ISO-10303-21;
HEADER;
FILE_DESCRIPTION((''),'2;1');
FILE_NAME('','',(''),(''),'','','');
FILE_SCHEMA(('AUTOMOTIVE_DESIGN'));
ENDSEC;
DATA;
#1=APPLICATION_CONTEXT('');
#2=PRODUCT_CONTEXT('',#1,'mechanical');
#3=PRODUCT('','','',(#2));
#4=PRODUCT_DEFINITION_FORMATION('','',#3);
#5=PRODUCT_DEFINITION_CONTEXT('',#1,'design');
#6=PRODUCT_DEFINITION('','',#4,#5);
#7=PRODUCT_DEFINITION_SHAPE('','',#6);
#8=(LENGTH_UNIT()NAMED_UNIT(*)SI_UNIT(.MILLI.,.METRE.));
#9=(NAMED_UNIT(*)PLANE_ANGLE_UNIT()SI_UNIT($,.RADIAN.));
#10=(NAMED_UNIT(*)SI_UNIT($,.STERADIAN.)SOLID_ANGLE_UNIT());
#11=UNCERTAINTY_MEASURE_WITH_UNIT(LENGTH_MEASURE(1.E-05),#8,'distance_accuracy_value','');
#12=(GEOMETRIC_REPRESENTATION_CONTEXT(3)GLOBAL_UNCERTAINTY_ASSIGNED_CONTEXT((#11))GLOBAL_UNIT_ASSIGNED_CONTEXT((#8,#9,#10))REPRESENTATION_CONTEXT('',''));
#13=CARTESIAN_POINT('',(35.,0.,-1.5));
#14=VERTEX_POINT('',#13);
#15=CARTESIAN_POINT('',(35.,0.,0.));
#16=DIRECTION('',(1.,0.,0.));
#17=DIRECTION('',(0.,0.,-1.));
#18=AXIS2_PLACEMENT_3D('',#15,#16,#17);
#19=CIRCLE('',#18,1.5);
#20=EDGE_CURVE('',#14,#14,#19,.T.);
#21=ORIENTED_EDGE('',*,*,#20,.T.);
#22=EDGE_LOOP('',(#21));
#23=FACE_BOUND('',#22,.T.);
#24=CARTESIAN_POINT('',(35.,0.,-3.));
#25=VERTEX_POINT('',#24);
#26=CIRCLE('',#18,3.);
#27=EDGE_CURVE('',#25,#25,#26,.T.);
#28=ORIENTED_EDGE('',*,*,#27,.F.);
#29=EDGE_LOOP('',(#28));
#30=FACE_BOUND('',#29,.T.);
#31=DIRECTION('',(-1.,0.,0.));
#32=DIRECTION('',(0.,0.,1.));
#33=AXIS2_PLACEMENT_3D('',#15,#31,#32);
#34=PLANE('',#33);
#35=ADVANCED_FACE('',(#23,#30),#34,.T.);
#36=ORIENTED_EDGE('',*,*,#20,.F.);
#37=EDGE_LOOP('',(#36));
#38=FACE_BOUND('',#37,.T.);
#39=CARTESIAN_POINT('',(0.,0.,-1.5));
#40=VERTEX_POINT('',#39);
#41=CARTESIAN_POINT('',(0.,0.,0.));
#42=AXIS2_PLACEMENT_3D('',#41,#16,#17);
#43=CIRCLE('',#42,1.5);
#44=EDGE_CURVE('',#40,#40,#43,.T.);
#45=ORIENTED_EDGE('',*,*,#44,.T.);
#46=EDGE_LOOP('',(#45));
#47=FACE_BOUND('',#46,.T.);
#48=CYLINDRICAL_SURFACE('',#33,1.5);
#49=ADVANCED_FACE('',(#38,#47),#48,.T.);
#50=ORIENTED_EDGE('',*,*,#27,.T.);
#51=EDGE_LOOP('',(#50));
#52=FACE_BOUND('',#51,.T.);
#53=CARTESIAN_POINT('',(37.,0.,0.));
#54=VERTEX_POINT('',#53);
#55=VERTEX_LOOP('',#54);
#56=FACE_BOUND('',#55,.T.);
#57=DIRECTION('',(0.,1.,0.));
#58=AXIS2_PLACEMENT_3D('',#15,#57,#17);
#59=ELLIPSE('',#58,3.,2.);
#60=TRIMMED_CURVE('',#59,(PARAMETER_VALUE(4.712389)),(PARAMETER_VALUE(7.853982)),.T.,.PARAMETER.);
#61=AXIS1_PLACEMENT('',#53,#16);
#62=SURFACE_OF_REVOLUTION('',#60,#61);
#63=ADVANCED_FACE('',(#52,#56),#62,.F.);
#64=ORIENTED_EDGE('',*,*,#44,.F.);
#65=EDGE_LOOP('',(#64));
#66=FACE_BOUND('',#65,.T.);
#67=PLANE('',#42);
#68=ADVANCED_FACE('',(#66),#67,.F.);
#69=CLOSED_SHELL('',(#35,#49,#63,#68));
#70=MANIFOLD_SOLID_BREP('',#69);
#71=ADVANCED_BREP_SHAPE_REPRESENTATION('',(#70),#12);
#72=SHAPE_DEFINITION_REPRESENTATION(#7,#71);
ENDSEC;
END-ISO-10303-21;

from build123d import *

# Parameters (mm, degrees)
SKETCH1_R           = 1.5
BOSS_EXTRUDE1_DEPTH = 35


with BuildPart() as part:
    # Sketch1 → Boss-Extrude1 (new body)
    with BuildSketch(Plane(origin=(0, 0, 0), x_dir=(0, 0, -1), z_dir=(1, 0, 0))):
        Circle(SKETCH1_R)
    extrude(amount=BOSS_EXTRUDE1_DEPTH)

    # Sketch2 → Revolve1 (revolve)
    with BuildSketch(Plane(origin=(0, 0, 0), x_dir=(1, 0, 0), z_dir=(0, 1, 0))):
        with BuildLine():
            Line((35, 0), (35, 3))
            add(Edge.make_bspline(
                [(37, 0), (37, 3), (35, 3)],
                knots=[4.71238898, 4.71238898, 4.71238898, 6.283185307, 6.283185307, 6.283185307], degree=2, weights=[1, 0.707106781, 1]))
            Line((37, 0), (35, 0))
        make_face()
    revolve(axis=Axis((37, 0, 0), (-1, 0, 0)))


solid = part.part
